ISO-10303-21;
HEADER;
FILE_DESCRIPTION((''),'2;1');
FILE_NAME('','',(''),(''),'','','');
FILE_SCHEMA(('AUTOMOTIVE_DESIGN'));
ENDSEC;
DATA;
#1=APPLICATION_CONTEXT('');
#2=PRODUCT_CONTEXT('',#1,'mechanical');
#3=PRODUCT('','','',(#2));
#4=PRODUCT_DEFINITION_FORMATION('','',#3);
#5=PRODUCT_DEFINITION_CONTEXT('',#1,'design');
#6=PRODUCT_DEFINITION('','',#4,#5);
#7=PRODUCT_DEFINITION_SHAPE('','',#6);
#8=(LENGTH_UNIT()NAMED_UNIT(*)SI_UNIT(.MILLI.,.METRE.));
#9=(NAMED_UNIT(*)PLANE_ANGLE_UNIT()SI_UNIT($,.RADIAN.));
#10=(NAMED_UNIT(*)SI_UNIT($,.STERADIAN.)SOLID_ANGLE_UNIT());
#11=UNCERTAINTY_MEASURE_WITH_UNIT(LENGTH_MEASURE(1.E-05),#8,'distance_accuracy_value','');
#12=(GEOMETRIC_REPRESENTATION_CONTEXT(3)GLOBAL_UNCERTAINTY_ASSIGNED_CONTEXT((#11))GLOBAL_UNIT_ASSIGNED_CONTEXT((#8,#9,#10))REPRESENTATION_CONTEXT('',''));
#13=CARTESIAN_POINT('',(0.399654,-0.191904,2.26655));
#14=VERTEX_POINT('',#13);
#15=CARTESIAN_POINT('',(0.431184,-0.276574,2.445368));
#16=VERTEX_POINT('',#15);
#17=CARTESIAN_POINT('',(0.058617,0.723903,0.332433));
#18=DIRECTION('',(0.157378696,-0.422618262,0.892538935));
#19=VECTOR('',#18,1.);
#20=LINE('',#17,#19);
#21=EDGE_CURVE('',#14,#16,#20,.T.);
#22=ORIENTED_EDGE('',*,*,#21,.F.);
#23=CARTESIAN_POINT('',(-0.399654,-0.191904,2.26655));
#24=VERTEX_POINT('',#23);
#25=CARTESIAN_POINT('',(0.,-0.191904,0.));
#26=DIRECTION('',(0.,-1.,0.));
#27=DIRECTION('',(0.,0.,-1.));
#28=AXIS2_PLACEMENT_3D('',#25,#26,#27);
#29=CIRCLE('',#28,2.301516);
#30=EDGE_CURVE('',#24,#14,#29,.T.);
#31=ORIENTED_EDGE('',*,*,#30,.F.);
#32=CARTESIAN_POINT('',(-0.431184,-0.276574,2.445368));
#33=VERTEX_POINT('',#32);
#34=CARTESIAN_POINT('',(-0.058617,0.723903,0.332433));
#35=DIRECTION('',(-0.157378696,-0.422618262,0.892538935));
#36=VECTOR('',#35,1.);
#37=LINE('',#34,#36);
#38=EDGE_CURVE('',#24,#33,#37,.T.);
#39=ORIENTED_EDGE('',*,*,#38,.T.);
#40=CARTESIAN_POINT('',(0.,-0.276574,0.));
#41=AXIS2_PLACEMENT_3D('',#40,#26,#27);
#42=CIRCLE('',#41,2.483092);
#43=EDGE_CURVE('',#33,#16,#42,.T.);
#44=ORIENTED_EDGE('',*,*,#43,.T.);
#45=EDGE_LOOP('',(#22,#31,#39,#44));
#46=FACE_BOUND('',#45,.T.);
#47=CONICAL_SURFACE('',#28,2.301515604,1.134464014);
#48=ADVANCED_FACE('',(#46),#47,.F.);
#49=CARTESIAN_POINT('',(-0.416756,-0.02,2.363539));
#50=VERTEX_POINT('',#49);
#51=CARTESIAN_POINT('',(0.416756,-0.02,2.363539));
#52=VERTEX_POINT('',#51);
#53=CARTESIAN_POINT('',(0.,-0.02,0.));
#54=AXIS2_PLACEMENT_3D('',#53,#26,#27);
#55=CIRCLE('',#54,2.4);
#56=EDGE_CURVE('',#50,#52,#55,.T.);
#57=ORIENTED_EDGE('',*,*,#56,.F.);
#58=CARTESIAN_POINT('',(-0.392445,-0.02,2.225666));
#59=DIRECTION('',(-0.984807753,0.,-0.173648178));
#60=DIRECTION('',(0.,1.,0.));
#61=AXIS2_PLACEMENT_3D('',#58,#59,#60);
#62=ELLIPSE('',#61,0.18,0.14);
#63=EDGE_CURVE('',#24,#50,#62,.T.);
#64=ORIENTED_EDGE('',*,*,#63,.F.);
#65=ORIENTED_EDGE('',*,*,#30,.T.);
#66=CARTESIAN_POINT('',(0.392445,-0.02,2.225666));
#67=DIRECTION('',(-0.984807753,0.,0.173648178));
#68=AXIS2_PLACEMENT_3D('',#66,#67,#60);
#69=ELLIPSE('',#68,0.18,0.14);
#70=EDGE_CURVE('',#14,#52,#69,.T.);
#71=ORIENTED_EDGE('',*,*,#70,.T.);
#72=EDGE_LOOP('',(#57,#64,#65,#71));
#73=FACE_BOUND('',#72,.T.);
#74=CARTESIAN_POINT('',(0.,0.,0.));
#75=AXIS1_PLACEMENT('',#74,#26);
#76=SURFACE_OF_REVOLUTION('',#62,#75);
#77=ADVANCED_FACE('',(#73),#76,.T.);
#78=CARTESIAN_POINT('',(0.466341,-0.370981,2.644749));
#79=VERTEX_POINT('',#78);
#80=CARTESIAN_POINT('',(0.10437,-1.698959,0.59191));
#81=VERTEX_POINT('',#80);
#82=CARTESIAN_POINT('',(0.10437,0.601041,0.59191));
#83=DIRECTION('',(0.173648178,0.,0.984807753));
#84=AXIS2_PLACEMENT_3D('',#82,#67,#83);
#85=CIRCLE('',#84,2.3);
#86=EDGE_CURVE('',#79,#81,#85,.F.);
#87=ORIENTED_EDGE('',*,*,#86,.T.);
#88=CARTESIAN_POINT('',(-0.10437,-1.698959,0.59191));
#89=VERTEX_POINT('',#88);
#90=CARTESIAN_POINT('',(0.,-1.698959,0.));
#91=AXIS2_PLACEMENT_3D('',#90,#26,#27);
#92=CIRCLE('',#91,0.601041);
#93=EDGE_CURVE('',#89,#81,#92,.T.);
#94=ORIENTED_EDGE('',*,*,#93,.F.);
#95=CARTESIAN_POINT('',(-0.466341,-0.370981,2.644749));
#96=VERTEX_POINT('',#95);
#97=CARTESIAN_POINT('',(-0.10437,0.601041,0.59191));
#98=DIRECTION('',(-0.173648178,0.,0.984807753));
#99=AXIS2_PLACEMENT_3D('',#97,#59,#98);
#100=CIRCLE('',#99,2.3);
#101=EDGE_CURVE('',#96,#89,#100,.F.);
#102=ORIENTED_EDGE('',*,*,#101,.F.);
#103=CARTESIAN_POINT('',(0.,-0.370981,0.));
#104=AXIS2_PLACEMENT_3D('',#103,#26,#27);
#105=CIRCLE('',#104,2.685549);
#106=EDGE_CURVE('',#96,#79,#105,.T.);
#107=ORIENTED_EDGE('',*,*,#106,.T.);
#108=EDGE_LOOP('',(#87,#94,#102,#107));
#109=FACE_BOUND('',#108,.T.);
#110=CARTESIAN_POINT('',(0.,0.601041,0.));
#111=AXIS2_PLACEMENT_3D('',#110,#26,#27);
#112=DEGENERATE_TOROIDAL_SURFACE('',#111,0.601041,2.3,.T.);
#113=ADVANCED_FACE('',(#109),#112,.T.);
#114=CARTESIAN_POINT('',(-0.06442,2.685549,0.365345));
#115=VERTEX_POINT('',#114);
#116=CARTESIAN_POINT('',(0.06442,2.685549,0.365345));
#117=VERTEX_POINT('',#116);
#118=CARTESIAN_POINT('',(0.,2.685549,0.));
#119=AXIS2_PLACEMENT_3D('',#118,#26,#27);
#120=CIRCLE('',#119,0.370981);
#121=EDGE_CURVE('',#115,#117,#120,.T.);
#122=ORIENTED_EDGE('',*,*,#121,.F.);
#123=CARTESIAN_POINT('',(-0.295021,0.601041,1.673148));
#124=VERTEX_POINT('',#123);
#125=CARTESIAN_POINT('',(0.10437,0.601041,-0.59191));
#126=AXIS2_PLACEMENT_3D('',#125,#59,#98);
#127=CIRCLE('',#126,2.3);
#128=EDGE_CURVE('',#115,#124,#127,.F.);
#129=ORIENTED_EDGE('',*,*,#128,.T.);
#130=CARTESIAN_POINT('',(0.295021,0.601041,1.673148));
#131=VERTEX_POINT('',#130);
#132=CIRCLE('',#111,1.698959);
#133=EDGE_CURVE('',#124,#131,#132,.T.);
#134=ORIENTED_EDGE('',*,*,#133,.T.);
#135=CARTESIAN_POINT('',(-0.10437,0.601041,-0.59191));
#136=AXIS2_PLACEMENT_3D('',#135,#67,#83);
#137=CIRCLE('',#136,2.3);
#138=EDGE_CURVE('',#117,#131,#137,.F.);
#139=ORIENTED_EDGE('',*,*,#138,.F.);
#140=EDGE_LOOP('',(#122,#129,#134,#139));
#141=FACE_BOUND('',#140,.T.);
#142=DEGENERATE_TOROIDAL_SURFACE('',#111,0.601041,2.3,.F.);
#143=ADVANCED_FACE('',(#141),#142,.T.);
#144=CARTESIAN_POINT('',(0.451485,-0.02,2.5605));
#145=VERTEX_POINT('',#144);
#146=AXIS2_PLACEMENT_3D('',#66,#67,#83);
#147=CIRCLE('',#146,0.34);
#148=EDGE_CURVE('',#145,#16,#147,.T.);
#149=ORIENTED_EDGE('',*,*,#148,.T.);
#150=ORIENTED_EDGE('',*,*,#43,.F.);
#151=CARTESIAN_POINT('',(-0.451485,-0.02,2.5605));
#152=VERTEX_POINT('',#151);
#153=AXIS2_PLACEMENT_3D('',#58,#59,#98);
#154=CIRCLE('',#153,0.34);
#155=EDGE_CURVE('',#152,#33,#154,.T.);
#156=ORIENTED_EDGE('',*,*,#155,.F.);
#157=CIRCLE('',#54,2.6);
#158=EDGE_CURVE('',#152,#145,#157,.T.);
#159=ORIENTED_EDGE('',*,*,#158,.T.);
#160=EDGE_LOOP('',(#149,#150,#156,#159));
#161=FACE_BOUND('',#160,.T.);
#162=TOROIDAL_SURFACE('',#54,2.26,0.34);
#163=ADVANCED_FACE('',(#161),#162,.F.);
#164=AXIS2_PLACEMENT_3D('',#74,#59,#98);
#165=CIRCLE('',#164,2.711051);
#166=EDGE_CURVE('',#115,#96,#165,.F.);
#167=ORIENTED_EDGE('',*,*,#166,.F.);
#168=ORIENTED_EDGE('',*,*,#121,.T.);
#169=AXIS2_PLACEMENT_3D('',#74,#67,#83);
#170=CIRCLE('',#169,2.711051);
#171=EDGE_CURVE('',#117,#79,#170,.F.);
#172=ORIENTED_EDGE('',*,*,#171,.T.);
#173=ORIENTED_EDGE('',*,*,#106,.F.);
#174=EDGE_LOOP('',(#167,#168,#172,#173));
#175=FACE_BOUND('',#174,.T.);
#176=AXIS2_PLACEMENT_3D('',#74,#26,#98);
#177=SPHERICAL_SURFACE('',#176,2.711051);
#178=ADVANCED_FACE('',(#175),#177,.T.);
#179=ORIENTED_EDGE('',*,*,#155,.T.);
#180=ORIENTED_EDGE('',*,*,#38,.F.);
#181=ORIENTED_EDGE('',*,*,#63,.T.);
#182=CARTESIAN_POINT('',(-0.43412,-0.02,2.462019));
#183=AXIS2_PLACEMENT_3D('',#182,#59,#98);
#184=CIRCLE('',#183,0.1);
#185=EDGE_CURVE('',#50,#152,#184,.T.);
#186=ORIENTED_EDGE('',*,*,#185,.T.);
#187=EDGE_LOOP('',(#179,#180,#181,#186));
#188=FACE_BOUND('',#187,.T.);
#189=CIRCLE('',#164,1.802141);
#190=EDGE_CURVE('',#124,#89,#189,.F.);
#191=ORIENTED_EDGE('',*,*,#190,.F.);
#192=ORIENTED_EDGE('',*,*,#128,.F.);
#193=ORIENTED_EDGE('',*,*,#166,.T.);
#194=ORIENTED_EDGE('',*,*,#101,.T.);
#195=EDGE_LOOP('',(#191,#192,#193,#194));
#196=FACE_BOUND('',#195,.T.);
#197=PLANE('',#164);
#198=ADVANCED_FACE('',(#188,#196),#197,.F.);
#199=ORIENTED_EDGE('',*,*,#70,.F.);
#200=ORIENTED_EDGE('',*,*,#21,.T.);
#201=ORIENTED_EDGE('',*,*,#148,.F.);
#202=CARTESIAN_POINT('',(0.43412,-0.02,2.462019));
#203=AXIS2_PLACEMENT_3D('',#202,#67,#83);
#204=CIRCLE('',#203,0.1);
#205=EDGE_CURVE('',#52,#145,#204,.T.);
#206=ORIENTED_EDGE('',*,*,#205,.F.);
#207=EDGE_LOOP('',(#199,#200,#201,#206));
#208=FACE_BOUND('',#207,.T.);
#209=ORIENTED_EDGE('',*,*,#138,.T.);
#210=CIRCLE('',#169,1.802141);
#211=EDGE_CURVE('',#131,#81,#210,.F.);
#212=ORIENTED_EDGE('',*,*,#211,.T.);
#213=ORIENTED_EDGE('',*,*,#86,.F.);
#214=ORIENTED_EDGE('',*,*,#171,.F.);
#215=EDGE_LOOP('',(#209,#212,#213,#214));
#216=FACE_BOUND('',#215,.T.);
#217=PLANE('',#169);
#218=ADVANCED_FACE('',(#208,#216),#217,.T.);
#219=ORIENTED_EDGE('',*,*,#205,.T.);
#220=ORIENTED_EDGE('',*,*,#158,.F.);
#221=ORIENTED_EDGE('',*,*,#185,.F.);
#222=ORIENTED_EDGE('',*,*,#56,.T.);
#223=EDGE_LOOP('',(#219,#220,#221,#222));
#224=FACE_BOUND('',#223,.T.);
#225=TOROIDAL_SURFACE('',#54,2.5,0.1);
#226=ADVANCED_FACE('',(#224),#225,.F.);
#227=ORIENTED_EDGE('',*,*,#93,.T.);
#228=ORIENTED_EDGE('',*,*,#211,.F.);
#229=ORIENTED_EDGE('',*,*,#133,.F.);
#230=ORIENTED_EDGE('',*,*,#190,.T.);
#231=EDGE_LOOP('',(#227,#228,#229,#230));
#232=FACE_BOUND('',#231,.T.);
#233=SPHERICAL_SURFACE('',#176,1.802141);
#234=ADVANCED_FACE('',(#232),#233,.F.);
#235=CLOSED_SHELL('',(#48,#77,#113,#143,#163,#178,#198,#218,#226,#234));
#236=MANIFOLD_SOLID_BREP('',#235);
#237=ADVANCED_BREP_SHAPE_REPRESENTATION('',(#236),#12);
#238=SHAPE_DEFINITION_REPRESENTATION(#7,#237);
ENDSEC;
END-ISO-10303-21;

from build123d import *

# Parameters (mm, degrees)
REVOLVE1_ANGLE           = 170
REVOLVE1_OTHER_WAY_ANGLE = 170


with BuildPart() as part:
    # Sketch1 → Revolve1 (revolve)
    with BuildSketch(Plane(origin=(0, 0, 0), x_dir=(0, 0, -1), z_dir=(1, 0, 0))):
        with BuildLine():
            ThreePointArc((2.685548674, -0.370981238), (2.161293028, 1.63664633), (0.370981238, 2.685548674))
            ThreePointArc((0.370981238, 2.685548674), (1.338759561, 1.836829863), (1.698959236, 0.601040764))
            ThreePointArc((1.698959236, 0.601040764), (1.626345597, -0.776345597), (0.601040764, -1.698959236))
            ThreePointArc((0.601040764, -1.698959236), (1.836829863, -1.338759561), (2.685548674, -0.370981238))
        make_face()
        with BuildLine():
            Line((2.301515604, -0.191903676), (2.483091519, -0.276573916))
            ThreePointArc((2.483091519, -0.276573916), (1.950604528, 0.120976742), (2.6, -0.02))
            ThreePointArc((2.6, -0.02), (2.5, -0.12), (2.4, -0.02))
            add(Edge.make_bspline(
                [(2.301515604, -0.191903676), (2.4, -0.152586478), (2.4, -0.02)],
                knots=[3.442660331, 3.442660331, 3.442660331, 4.71238898, 4.71238898, 4.71238898], degree=2, weights=[1, 0.805152169, 1]))
        make_face(mode=Mode.SUBTRACT)
    revolve(axis=Axis((0, 0, 0), (0, 1, 0)), revolution_arc=REVOLVE1_ANGLE)

    # Sketch1 → Revolve1 other way (revolve)
    with BuildSketch(Plane(origin=(0, 0, 0), x_dir=(0, 0, -1), z_dir=(1, 0, 0))):
        with BuildLine():
            ThreePointArc((2.685548674, -0.370981238), (2.161293028, 1.63664633), (0.370981238, 2.685548674))
            ThreePointArc((0.370981238, 2.685548674), (1.338759561, 1.836829863), (1.698959236, 0.601040764))
            ThreePointArc((1.698959236, 0.601040764), (1.626345597, -0.776345597), (0.601040764, -1.698959236))
            ThreePointArc((0.601040764, -1.698959236), (1.836829863, -1.338759561), (2.685548674, -0.370981238))
        make_face()
        with BuildLine():
            Line((2.301515604, -0.191903676), (2.483091519, -0.276573916))
            ThreePointArc((2.483091519, -0.276573916), (1.950604528, 0.120976742), (2.6, -0.02))
            ThreePointArc((2.6, -0.02), (2.5, -0.12), (2.4, -0.02))
            add(Edge.make_bspline(
                [(2.301515604, -0.191903676), (2.4, -0.152586478), (2.4, -0.02)],
                knots=[3.442660331, 3.442660331, 3.442660331, 4.71238898, 4.71238898, 4.71238898], degree=2, weights=[1, 0.805152169, 1]))
        make_face(mode=Mode.SUBTRACT)
    revolve(axis=Axis((0, 0, 0), (0, -1, 0)), revolution_arc=REVOLVE1_OTHER_WAY_ANGLE)


solid = part.part
